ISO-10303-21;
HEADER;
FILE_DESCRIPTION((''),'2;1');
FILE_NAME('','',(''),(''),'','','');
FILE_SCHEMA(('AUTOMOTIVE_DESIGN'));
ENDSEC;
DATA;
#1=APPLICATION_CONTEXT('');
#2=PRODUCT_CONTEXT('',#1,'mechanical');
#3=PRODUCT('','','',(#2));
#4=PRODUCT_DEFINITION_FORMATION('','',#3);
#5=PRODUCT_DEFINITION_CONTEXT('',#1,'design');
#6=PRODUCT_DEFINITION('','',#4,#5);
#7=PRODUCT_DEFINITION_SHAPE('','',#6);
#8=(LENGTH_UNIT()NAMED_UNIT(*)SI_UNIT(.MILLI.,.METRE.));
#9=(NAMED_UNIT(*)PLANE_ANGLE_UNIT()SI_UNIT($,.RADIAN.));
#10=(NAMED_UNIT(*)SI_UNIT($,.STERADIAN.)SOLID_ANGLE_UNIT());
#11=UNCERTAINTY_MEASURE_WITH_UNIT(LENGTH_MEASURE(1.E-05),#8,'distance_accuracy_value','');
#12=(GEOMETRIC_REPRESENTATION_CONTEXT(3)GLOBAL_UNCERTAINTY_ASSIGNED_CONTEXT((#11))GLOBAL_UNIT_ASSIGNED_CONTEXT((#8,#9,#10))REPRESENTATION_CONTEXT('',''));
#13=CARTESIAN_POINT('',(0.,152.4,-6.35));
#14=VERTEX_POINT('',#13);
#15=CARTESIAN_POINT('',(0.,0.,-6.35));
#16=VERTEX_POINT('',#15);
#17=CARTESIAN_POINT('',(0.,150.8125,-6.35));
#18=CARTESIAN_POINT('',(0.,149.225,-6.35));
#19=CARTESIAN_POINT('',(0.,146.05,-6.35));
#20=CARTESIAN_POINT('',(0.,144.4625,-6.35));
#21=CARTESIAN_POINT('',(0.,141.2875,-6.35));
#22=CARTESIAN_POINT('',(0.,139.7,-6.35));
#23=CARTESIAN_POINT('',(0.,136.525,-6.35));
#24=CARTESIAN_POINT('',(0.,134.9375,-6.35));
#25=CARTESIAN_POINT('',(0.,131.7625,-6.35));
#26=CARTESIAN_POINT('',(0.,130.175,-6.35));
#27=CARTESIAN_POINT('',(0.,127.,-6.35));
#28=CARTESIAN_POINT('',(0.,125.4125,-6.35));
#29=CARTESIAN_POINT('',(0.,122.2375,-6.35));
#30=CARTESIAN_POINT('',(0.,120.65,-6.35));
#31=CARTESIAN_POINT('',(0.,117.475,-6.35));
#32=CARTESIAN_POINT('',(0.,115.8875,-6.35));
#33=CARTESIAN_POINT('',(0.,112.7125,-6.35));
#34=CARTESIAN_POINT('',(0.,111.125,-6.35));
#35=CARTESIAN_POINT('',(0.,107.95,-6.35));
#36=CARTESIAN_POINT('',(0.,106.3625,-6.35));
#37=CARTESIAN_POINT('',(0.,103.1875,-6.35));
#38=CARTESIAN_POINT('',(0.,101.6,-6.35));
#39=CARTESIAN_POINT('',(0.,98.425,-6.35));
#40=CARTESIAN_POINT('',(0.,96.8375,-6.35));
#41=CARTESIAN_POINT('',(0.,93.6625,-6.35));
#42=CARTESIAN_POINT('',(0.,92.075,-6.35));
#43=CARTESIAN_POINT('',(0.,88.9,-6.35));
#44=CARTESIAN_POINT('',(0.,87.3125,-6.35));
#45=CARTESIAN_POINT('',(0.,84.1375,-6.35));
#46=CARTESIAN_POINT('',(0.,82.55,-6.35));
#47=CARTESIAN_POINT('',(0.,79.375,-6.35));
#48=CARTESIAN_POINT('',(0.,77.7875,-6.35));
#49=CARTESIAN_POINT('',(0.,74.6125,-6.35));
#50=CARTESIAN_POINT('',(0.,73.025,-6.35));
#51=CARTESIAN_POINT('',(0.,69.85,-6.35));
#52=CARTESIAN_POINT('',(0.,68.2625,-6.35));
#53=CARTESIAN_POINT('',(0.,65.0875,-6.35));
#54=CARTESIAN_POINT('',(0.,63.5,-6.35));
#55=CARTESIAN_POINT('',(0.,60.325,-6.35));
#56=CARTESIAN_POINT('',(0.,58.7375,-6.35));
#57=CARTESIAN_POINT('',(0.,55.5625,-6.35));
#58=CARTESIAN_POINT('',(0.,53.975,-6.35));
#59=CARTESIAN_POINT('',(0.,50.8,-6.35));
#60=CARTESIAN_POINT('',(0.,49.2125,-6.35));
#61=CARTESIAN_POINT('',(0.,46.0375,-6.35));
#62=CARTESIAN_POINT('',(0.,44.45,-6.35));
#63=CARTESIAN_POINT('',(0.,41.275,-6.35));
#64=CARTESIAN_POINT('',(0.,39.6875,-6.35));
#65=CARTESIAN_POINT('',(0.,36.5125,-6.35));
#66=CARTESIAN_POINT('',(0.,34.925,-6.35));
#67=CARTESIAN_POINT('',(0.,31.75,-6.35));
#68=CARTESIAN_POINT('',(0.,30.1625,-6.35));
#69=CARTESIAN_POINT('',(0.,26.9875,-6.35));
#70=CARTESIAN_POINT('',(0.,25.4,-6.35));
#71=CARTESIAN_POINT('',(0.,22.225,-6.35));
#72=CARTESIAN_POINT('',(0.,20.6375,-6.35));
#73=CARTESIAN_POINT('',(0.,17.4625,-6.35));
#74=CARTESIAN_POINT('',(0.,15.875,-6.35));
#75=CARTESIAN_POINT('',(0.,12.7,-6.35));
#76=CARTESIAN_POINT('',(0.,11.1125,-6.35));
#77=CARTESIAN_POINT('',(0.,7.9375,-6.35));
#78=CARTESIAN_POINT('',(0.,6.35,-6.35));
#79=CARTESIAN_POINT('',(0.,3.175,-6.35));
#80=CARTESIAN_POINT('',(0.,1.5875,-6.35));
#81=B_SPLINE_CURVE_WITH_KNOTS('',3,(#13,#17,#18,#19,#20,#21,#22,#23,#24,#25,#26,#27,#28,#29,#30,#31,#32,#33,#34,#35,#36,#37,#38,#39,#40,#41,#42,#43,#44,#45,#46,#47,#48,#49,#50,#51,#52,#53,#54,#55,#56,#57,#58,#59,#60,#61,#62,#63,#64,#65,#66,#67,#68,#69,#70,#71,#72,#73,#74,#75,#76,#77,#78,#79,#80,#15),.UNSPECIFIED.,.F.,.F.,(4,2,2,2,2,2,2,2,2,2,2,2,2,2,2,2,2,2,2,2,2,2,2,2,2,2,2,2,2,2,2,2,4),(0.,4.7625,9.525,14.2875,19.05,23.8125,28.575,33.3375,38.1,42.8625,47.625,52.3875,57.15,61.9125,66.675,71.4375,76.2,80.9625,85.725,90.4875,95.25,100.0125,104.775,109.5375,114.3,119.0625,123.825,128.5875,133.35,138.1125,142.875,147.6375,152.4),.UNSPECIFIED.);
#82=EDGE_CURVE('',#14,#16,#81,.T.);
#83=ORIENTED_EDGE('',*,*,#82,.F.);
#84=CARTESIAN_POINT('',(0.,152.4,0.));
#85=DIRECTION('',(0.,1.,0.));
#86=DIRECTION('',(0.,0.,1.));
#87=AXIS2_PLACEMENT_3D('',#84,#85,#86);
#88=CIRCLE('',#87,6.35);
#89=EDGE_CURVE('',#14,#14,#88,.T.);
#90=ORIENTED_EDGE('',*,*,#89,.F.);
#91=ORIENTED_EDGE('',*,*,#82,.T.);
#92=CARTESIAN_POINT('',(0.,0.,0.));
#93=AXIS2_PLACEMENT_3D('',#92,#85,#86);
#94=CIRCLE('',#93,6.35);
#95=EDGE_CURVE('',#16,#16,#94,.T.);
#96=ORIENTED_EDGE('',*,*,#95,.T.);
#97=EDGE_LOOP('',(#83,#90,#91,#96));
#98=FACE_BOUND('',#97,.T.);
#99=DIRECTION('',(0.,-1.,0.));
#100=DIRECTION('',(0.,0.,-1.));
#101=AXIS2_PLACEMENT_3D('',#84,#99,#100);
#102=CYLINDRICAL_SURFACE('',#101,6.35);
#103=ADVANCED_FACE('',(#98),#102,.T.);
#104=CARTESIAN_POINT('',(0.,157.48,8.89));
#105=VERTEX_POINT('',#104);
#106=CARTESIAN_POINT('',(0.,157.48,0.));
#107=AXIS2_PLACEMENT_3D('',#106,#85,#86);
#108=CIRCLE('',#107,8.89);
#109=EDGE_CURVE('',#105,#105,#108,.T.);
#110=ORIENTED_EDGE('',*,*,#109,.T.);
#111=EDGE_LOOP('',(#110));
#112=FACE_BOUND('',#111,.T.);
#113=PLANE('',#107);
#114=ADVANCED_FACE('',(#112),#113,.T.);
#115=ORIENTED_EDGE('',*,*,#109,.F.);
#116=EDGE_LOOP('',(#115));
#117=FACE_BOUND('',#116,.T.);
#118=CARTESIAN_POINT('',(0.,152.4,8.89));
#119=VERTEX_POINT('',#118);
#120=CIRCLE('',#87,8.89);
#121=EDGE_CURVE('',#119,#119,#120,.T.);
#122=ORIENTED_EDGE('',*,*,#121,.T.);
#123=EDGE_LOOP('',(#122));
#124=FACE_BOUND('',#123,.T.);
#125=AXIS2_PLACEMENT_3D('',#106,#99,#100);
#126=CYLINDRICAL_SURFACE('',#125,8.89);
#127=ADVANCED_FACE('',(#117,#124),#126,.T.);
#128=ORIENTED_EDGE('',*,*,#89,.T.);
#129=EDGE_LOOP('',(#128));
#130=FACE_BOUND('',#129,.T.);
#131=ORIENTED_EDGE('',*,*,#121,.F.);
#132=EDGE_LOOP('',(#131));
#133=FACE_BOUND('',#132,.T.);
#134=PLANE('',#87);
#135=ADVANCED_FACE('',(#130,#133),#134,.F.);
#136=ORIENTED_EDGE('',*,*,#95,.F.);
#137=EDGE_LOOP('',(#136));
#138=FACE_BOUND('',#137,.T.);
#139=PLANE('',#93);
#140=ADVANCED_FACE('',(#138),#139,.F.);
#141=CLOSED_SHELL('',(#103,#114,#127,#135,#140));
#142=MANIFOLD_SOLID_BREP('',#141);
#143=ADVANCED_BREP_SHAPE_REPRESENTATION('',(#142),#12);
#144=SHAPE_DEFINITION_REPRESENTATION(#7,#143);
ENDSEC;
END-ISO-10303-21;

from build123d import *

# Parameters (mm, degrees)
SKETCH1_R           = 6.35
BOSS_EXTRUDE1_DEPTH = 152.4
SKETCH2_R           = 8.89
BOSS_EXTRUDE2_DEPTH = 5.08


with BuildPart() as part:
    # Sketch1 → Boss-Extrude1 (new body)
    with BuildSketch(Plane(origin=(0, 0, 0), x_dir=(1, 0, 0), z_dir=(0, 1, 0))):
        with Locations(Location((0, 0, 0), (0, 0, 90))):
            Circle(SKETCH1_R)
    extrude(amount=BOSS_EXTRUDE1_DEPTH)

    # Sketch2 → Boss-Extrude2 (add)
    with BuildSketch(Plane(origin=(0, 152.4, 0), x_dir=(1, 0, 0), z_dir=(0, 1, 0))):
        with Locations(Location((0, 0, 0), (0, 0, 270))):
            Circle(SKETCH2_R)
    extrude(amount=BOSS_EXTRUDE2_DEPTH)


solid = part.part
